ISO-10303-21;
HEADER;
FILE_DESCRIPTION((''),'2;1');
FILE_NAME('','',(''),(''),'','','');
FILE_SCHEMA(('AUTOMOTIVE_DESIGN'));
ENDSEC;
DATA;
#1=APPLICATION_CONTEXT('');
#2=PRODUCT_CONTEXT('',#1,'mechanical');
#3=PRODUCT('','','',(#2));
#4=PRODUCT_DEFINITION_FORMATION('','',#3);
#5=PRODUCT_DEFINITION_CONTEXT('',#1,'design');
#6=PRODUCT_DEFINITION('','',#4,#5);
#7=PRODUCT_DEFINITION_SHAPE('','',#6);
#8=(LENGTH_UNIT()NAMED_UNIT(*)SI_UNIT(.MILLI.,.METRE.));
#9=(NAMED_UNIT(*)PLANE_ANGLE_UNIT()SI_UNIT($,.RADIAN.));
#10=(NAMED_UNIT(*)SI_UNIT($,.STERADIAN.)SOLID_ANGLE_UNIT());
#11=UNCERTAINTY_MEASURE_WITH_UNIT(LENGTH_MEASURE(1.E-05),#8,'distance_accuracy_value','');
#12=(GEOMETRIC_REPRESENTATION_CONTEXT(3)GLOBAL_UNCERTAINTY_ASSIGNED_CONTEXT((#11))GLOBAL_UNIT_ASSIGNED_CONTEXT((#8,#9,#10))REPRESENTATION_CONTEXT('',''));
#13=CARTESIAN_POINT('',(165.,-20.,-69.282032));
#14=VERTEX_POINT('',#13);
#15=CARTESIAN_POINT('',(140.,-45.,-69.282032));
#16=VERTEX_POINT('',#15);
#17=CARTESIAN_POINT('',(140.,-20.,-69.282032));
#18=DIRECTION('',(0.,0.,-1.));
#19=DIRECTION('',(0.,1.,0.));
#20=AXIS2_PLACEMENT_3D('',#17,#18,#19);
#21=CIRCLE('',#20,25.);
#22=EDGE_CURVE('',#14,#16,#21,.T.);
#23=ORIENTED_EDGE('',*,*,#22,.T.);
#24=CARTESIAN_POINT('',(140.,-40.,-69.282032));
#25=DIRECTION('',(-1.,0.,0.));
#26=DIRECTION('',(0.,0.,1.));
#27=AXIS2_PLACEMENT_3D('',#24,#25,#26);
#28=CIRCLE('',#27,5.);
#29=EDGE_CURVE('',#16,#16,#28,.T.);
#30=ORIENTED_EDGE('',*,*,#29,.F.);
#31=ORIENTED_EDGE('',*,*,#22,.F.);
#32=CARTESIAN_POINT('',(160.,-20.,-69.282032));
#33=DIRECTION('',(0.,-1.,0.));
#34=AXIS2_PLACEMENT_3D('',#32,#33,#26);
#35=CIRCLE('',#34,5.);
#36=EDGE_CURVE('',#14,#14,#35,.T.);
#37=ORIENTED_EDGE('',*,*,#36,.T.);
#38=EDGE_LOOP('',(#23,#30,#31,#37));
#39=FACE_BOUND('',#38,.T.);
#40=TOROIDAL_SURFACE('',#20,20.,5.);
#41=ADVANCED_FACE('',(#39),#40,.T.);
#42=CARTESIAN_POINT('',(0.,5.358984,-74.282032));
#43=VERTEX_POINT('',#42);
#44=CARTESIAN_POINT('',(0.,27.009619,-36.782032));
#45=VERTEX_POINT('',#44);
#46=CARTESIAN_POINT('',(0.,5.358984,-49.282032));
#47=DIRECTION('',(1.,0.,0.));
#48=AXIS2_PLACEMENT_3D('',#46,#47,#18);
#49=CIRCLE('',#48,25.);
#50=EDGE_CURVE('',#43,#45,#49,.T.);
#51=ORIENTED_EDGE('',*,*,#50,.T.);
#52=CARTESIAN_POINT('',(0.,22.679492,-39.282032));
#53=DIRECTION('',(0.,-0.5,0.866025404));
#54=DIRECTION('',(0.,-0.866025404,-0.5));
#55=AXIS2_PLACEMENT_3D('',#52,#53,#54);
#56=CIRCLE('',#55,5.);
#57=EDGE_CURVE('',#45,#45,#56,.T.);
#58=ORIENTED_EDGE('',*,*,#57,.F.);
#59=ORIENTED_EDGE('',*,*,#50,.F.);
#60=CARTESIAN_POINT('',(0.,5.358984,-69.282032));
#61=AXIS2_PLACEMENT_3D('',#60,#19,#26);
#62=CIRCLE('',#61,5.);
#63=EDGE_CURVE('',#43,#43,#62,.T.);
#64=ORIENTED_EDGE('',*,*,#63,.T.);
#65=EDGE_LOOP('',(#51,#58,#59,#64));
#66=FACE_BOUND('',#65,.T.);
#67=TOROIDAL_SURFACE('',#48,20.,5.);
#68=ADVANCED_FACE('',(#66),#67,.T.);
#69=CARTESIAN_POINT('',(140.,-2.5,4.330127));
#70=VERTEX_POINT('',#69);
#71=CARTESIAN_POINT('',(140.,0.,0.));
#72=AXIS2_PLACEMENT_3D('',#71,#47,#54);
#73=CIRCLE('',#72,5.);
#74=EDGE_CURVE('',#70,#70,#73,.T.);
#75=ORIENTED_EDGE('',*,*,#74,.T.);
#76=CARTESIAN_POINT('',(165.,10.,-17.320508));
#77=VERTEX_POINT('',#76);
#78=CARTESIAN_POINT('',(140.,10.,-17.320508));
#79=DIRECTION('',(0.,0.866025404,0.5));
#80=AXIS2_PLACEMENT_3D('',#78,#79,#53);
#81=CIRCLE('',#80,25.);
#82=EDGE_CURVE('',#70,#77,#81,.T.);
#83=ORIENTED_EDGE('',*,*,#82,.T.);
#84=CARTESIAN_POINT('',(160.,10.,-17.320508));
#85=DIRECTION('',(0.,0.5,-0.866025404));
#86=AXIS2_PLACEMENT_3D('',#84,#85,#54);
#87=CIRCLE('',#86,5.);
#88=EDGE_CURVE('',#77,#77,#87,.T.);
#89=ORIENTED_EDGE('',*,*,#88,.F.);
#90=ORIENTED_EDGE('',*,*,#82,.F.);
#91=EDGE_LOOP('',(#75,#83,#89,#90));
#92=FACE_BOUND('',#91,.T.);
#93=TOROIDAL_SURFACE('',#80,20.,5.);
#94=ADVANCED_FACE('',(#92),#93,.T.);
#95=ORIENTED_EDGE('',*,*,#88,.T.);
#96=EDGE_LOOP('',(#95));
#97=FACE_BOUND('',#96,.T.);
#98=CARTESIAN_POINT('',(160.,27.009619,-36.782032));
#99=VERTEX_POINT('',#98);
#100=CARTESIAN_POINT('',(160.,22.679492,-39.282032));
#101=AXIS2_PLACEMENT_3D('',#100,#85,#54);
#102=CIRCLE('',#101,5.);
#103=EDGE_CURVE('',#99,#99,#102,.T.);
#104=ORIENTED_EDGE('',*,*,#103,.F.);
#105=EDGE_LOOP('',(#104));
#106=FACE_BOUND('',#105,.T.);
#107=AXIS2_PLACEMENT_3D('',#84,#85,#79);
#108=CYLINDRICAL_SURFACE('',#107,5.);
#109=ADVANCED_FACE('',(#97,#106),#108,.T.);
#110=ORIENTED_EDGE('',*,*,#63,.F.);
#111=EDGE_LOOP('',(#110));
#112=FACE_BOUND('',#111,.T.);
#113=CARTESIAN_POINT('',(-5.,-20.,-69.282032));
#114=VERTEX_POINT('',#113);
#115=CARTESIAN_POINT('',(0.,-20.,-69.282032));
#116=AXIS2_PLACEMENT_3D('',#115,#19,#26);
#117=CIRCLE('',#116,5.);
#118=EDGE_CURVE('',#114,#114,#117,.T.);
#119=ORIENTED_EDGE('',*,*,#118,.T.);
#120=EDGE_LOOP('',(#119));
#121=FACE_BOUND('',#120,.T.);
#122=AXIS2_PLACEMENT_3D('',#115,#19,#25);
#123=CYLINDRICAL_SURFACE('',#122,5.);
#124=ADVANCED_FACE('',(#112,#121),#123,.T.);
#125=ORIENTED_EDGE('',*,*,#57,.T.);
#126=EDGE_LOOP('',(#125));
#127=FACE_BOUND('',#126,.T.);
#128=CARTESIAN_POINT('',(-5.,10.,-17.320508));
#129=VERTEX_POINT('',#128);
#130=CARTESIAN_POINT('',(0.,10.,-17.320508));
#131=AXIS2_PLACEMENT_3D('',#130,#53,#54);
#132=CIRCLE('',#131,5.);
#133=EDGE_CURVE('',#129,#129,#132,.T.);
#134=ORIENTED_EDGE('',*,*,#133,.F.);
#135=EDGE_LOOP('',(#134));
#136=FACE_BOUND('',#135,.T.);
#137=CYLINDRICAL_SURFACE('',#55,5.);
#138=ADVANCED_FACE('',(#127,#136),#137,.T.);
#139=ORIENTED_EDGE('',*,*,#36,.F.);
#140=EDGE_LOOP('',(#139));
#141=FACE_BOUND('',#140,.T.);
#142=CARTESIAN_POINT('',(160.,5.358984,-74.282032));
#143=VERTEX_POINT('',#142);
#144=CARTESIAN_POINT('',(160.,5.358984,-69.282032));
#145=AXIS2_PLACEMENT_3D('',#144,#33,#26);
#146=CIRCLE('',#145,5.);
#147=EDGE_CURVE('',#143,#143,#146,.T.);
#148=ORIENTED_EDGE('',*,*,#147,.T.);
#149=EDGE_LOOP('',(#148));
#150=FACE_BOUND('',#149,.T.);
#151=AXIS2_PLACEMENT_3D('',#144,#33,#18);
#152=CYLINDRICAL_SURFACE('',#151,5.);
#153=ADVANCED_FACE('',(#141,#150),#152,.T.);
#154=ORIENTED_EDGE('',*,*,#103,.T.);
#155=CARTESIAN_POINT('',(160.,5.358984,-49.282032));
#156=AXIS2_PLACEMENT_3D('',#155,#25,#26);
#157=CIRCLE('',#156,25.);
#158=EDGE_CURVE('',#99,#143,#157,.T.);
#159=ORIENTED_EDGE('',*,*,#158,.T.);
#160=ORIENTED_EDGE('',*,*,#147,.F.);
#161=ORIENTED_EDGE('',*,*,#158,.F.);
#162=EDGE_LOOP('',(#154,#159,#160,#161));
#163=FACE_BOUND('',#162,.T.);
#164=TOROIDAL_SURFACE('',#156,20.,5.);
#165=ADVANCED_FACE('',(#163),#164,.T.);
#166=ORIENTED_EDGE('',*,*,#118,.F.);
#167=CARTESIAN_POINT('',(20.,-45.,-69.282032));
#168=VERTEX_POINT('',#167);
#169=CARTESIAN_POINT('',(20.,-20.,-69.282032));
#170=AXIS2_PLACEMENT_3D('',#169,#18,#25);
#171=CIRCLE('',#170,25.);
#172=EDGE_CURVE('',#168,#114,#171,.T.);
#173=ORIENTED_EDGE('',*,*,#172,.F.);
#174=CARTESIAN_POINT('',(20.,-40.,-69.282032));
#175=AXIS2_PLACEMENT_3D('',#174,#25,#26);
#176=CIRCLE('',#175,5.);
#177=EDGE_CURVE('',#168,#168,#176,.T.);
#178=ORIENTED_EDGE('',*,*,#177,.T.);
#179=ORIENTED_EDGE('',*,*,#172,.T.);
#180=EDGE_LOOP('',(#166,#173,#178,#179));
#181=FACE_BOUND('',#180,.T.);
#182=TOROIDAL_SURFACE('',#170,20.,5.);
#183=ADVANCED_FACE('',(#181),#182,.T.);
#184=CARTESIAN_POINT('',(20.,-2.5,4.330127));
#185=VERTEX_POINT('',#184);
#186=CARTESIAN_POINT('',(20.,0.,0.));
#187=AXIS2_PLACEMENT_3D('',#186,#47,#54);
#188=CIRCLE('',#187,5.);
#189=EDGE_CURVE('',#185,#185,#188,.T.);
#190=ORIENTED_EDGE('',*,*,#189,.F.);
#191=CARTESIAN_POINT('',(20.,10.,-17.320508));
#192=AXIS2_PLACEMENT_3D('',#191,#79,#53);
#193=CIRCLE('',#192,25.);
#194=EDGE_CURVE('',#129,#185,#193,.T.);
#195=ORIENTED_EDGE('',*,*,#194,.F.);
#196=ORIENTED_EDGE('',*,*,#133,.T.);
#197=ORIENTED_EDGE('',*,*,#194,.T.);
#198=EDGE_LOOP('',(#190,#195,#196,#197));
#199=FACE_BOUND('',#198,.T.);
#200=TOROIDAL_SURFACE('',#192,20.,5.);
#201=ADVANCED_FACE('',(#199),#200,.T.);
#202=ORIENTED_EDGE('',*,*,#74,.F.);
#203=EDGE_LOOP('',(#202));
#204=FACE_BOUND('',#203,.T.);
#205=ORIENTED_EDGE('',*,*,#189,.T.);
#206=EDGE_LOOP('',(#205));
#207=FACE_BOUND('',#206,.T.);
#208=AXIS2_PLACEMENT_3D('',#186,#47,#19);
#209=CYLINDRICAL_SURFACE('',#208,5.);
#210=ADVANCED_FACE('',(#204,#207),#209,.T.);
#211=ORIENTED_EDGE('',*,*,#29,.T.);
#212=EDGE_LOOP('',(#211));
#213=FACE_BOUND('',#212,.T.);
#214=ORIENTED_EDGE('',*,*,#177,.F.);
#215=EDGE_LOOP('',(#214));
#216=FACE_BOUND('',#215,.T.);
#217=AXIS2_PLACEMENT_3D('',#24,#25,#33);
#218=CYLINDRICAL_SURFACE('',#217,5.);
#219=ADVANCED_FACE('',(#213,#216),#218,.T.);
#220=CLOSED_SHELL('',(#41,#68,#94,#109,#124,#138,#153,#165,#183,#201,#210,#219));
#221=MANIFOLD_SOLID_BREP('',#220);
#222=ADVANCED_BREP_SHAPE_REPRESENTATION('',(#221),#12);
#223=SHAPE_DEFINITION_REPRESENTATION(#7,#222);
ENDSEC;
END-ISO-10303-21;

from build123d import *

# Parameters (mm, degrees)
SWEEP_3_PROFILE_R = 5


with BuildPart() as part:
    # 扫描3: sweep along a curve in space
    with BuildLine() as sweep_3_path:
        Line((20, 0, 0), (140, 0, 0))
        ThreePointArc((140, 0, 0), (154.142135624, 2.928932188, -5.073059362), (160, 10, -17.320508076))
        Line((160, 10, -17.320508076), (160, 22.679491924, -39.282032303))
        ThreePointArc((160, 22.679491924, -39.282032303), (160, 22.679491924, -59.282032303), (160, 5.358983849, -69.282032303))
        Line((160, 5.358983849, -69.282032303), (160, -20, -69.282032303))
        ThreePointArc((160, -20, -69.282032303), (154.142135624, -34.142135624, -69.282032303), (140, -40, -69.282032303))
        Line((140, -40, -69.282032303), (20, -40, -69.282032303))
        ThreePointArc((20, -40, -69.282032303), (5.857864376, -34.142135624, -69.282032303), (0, -20, -69.282032303))
        Line((0, -20, -69.282032303), (0, 5.358983849, -69.282032303))
        ThreePointArc((0, 5.358983849, -69.282032303), (0, 22.679491924, -59.282032303), (0, 22.679491924, -39.282032303))
        Line((0, 22.679491924, -39.282032303), (0, 10, -17.320508076))
        ThreePointArc((20, 0, 0), (5.857864376, 2.928932188, -5.073059362), (0, 10, -17.320508076))
    # 扫描3 profile (on start of the path) → 扫描3 (sweep)
    with BuildSketch(Plane.YZ.offset(20)):
        Circle(SWEEP_3_PROFILE_R)
    sweep(path=sweep_3_path.line)


solid = part.part
